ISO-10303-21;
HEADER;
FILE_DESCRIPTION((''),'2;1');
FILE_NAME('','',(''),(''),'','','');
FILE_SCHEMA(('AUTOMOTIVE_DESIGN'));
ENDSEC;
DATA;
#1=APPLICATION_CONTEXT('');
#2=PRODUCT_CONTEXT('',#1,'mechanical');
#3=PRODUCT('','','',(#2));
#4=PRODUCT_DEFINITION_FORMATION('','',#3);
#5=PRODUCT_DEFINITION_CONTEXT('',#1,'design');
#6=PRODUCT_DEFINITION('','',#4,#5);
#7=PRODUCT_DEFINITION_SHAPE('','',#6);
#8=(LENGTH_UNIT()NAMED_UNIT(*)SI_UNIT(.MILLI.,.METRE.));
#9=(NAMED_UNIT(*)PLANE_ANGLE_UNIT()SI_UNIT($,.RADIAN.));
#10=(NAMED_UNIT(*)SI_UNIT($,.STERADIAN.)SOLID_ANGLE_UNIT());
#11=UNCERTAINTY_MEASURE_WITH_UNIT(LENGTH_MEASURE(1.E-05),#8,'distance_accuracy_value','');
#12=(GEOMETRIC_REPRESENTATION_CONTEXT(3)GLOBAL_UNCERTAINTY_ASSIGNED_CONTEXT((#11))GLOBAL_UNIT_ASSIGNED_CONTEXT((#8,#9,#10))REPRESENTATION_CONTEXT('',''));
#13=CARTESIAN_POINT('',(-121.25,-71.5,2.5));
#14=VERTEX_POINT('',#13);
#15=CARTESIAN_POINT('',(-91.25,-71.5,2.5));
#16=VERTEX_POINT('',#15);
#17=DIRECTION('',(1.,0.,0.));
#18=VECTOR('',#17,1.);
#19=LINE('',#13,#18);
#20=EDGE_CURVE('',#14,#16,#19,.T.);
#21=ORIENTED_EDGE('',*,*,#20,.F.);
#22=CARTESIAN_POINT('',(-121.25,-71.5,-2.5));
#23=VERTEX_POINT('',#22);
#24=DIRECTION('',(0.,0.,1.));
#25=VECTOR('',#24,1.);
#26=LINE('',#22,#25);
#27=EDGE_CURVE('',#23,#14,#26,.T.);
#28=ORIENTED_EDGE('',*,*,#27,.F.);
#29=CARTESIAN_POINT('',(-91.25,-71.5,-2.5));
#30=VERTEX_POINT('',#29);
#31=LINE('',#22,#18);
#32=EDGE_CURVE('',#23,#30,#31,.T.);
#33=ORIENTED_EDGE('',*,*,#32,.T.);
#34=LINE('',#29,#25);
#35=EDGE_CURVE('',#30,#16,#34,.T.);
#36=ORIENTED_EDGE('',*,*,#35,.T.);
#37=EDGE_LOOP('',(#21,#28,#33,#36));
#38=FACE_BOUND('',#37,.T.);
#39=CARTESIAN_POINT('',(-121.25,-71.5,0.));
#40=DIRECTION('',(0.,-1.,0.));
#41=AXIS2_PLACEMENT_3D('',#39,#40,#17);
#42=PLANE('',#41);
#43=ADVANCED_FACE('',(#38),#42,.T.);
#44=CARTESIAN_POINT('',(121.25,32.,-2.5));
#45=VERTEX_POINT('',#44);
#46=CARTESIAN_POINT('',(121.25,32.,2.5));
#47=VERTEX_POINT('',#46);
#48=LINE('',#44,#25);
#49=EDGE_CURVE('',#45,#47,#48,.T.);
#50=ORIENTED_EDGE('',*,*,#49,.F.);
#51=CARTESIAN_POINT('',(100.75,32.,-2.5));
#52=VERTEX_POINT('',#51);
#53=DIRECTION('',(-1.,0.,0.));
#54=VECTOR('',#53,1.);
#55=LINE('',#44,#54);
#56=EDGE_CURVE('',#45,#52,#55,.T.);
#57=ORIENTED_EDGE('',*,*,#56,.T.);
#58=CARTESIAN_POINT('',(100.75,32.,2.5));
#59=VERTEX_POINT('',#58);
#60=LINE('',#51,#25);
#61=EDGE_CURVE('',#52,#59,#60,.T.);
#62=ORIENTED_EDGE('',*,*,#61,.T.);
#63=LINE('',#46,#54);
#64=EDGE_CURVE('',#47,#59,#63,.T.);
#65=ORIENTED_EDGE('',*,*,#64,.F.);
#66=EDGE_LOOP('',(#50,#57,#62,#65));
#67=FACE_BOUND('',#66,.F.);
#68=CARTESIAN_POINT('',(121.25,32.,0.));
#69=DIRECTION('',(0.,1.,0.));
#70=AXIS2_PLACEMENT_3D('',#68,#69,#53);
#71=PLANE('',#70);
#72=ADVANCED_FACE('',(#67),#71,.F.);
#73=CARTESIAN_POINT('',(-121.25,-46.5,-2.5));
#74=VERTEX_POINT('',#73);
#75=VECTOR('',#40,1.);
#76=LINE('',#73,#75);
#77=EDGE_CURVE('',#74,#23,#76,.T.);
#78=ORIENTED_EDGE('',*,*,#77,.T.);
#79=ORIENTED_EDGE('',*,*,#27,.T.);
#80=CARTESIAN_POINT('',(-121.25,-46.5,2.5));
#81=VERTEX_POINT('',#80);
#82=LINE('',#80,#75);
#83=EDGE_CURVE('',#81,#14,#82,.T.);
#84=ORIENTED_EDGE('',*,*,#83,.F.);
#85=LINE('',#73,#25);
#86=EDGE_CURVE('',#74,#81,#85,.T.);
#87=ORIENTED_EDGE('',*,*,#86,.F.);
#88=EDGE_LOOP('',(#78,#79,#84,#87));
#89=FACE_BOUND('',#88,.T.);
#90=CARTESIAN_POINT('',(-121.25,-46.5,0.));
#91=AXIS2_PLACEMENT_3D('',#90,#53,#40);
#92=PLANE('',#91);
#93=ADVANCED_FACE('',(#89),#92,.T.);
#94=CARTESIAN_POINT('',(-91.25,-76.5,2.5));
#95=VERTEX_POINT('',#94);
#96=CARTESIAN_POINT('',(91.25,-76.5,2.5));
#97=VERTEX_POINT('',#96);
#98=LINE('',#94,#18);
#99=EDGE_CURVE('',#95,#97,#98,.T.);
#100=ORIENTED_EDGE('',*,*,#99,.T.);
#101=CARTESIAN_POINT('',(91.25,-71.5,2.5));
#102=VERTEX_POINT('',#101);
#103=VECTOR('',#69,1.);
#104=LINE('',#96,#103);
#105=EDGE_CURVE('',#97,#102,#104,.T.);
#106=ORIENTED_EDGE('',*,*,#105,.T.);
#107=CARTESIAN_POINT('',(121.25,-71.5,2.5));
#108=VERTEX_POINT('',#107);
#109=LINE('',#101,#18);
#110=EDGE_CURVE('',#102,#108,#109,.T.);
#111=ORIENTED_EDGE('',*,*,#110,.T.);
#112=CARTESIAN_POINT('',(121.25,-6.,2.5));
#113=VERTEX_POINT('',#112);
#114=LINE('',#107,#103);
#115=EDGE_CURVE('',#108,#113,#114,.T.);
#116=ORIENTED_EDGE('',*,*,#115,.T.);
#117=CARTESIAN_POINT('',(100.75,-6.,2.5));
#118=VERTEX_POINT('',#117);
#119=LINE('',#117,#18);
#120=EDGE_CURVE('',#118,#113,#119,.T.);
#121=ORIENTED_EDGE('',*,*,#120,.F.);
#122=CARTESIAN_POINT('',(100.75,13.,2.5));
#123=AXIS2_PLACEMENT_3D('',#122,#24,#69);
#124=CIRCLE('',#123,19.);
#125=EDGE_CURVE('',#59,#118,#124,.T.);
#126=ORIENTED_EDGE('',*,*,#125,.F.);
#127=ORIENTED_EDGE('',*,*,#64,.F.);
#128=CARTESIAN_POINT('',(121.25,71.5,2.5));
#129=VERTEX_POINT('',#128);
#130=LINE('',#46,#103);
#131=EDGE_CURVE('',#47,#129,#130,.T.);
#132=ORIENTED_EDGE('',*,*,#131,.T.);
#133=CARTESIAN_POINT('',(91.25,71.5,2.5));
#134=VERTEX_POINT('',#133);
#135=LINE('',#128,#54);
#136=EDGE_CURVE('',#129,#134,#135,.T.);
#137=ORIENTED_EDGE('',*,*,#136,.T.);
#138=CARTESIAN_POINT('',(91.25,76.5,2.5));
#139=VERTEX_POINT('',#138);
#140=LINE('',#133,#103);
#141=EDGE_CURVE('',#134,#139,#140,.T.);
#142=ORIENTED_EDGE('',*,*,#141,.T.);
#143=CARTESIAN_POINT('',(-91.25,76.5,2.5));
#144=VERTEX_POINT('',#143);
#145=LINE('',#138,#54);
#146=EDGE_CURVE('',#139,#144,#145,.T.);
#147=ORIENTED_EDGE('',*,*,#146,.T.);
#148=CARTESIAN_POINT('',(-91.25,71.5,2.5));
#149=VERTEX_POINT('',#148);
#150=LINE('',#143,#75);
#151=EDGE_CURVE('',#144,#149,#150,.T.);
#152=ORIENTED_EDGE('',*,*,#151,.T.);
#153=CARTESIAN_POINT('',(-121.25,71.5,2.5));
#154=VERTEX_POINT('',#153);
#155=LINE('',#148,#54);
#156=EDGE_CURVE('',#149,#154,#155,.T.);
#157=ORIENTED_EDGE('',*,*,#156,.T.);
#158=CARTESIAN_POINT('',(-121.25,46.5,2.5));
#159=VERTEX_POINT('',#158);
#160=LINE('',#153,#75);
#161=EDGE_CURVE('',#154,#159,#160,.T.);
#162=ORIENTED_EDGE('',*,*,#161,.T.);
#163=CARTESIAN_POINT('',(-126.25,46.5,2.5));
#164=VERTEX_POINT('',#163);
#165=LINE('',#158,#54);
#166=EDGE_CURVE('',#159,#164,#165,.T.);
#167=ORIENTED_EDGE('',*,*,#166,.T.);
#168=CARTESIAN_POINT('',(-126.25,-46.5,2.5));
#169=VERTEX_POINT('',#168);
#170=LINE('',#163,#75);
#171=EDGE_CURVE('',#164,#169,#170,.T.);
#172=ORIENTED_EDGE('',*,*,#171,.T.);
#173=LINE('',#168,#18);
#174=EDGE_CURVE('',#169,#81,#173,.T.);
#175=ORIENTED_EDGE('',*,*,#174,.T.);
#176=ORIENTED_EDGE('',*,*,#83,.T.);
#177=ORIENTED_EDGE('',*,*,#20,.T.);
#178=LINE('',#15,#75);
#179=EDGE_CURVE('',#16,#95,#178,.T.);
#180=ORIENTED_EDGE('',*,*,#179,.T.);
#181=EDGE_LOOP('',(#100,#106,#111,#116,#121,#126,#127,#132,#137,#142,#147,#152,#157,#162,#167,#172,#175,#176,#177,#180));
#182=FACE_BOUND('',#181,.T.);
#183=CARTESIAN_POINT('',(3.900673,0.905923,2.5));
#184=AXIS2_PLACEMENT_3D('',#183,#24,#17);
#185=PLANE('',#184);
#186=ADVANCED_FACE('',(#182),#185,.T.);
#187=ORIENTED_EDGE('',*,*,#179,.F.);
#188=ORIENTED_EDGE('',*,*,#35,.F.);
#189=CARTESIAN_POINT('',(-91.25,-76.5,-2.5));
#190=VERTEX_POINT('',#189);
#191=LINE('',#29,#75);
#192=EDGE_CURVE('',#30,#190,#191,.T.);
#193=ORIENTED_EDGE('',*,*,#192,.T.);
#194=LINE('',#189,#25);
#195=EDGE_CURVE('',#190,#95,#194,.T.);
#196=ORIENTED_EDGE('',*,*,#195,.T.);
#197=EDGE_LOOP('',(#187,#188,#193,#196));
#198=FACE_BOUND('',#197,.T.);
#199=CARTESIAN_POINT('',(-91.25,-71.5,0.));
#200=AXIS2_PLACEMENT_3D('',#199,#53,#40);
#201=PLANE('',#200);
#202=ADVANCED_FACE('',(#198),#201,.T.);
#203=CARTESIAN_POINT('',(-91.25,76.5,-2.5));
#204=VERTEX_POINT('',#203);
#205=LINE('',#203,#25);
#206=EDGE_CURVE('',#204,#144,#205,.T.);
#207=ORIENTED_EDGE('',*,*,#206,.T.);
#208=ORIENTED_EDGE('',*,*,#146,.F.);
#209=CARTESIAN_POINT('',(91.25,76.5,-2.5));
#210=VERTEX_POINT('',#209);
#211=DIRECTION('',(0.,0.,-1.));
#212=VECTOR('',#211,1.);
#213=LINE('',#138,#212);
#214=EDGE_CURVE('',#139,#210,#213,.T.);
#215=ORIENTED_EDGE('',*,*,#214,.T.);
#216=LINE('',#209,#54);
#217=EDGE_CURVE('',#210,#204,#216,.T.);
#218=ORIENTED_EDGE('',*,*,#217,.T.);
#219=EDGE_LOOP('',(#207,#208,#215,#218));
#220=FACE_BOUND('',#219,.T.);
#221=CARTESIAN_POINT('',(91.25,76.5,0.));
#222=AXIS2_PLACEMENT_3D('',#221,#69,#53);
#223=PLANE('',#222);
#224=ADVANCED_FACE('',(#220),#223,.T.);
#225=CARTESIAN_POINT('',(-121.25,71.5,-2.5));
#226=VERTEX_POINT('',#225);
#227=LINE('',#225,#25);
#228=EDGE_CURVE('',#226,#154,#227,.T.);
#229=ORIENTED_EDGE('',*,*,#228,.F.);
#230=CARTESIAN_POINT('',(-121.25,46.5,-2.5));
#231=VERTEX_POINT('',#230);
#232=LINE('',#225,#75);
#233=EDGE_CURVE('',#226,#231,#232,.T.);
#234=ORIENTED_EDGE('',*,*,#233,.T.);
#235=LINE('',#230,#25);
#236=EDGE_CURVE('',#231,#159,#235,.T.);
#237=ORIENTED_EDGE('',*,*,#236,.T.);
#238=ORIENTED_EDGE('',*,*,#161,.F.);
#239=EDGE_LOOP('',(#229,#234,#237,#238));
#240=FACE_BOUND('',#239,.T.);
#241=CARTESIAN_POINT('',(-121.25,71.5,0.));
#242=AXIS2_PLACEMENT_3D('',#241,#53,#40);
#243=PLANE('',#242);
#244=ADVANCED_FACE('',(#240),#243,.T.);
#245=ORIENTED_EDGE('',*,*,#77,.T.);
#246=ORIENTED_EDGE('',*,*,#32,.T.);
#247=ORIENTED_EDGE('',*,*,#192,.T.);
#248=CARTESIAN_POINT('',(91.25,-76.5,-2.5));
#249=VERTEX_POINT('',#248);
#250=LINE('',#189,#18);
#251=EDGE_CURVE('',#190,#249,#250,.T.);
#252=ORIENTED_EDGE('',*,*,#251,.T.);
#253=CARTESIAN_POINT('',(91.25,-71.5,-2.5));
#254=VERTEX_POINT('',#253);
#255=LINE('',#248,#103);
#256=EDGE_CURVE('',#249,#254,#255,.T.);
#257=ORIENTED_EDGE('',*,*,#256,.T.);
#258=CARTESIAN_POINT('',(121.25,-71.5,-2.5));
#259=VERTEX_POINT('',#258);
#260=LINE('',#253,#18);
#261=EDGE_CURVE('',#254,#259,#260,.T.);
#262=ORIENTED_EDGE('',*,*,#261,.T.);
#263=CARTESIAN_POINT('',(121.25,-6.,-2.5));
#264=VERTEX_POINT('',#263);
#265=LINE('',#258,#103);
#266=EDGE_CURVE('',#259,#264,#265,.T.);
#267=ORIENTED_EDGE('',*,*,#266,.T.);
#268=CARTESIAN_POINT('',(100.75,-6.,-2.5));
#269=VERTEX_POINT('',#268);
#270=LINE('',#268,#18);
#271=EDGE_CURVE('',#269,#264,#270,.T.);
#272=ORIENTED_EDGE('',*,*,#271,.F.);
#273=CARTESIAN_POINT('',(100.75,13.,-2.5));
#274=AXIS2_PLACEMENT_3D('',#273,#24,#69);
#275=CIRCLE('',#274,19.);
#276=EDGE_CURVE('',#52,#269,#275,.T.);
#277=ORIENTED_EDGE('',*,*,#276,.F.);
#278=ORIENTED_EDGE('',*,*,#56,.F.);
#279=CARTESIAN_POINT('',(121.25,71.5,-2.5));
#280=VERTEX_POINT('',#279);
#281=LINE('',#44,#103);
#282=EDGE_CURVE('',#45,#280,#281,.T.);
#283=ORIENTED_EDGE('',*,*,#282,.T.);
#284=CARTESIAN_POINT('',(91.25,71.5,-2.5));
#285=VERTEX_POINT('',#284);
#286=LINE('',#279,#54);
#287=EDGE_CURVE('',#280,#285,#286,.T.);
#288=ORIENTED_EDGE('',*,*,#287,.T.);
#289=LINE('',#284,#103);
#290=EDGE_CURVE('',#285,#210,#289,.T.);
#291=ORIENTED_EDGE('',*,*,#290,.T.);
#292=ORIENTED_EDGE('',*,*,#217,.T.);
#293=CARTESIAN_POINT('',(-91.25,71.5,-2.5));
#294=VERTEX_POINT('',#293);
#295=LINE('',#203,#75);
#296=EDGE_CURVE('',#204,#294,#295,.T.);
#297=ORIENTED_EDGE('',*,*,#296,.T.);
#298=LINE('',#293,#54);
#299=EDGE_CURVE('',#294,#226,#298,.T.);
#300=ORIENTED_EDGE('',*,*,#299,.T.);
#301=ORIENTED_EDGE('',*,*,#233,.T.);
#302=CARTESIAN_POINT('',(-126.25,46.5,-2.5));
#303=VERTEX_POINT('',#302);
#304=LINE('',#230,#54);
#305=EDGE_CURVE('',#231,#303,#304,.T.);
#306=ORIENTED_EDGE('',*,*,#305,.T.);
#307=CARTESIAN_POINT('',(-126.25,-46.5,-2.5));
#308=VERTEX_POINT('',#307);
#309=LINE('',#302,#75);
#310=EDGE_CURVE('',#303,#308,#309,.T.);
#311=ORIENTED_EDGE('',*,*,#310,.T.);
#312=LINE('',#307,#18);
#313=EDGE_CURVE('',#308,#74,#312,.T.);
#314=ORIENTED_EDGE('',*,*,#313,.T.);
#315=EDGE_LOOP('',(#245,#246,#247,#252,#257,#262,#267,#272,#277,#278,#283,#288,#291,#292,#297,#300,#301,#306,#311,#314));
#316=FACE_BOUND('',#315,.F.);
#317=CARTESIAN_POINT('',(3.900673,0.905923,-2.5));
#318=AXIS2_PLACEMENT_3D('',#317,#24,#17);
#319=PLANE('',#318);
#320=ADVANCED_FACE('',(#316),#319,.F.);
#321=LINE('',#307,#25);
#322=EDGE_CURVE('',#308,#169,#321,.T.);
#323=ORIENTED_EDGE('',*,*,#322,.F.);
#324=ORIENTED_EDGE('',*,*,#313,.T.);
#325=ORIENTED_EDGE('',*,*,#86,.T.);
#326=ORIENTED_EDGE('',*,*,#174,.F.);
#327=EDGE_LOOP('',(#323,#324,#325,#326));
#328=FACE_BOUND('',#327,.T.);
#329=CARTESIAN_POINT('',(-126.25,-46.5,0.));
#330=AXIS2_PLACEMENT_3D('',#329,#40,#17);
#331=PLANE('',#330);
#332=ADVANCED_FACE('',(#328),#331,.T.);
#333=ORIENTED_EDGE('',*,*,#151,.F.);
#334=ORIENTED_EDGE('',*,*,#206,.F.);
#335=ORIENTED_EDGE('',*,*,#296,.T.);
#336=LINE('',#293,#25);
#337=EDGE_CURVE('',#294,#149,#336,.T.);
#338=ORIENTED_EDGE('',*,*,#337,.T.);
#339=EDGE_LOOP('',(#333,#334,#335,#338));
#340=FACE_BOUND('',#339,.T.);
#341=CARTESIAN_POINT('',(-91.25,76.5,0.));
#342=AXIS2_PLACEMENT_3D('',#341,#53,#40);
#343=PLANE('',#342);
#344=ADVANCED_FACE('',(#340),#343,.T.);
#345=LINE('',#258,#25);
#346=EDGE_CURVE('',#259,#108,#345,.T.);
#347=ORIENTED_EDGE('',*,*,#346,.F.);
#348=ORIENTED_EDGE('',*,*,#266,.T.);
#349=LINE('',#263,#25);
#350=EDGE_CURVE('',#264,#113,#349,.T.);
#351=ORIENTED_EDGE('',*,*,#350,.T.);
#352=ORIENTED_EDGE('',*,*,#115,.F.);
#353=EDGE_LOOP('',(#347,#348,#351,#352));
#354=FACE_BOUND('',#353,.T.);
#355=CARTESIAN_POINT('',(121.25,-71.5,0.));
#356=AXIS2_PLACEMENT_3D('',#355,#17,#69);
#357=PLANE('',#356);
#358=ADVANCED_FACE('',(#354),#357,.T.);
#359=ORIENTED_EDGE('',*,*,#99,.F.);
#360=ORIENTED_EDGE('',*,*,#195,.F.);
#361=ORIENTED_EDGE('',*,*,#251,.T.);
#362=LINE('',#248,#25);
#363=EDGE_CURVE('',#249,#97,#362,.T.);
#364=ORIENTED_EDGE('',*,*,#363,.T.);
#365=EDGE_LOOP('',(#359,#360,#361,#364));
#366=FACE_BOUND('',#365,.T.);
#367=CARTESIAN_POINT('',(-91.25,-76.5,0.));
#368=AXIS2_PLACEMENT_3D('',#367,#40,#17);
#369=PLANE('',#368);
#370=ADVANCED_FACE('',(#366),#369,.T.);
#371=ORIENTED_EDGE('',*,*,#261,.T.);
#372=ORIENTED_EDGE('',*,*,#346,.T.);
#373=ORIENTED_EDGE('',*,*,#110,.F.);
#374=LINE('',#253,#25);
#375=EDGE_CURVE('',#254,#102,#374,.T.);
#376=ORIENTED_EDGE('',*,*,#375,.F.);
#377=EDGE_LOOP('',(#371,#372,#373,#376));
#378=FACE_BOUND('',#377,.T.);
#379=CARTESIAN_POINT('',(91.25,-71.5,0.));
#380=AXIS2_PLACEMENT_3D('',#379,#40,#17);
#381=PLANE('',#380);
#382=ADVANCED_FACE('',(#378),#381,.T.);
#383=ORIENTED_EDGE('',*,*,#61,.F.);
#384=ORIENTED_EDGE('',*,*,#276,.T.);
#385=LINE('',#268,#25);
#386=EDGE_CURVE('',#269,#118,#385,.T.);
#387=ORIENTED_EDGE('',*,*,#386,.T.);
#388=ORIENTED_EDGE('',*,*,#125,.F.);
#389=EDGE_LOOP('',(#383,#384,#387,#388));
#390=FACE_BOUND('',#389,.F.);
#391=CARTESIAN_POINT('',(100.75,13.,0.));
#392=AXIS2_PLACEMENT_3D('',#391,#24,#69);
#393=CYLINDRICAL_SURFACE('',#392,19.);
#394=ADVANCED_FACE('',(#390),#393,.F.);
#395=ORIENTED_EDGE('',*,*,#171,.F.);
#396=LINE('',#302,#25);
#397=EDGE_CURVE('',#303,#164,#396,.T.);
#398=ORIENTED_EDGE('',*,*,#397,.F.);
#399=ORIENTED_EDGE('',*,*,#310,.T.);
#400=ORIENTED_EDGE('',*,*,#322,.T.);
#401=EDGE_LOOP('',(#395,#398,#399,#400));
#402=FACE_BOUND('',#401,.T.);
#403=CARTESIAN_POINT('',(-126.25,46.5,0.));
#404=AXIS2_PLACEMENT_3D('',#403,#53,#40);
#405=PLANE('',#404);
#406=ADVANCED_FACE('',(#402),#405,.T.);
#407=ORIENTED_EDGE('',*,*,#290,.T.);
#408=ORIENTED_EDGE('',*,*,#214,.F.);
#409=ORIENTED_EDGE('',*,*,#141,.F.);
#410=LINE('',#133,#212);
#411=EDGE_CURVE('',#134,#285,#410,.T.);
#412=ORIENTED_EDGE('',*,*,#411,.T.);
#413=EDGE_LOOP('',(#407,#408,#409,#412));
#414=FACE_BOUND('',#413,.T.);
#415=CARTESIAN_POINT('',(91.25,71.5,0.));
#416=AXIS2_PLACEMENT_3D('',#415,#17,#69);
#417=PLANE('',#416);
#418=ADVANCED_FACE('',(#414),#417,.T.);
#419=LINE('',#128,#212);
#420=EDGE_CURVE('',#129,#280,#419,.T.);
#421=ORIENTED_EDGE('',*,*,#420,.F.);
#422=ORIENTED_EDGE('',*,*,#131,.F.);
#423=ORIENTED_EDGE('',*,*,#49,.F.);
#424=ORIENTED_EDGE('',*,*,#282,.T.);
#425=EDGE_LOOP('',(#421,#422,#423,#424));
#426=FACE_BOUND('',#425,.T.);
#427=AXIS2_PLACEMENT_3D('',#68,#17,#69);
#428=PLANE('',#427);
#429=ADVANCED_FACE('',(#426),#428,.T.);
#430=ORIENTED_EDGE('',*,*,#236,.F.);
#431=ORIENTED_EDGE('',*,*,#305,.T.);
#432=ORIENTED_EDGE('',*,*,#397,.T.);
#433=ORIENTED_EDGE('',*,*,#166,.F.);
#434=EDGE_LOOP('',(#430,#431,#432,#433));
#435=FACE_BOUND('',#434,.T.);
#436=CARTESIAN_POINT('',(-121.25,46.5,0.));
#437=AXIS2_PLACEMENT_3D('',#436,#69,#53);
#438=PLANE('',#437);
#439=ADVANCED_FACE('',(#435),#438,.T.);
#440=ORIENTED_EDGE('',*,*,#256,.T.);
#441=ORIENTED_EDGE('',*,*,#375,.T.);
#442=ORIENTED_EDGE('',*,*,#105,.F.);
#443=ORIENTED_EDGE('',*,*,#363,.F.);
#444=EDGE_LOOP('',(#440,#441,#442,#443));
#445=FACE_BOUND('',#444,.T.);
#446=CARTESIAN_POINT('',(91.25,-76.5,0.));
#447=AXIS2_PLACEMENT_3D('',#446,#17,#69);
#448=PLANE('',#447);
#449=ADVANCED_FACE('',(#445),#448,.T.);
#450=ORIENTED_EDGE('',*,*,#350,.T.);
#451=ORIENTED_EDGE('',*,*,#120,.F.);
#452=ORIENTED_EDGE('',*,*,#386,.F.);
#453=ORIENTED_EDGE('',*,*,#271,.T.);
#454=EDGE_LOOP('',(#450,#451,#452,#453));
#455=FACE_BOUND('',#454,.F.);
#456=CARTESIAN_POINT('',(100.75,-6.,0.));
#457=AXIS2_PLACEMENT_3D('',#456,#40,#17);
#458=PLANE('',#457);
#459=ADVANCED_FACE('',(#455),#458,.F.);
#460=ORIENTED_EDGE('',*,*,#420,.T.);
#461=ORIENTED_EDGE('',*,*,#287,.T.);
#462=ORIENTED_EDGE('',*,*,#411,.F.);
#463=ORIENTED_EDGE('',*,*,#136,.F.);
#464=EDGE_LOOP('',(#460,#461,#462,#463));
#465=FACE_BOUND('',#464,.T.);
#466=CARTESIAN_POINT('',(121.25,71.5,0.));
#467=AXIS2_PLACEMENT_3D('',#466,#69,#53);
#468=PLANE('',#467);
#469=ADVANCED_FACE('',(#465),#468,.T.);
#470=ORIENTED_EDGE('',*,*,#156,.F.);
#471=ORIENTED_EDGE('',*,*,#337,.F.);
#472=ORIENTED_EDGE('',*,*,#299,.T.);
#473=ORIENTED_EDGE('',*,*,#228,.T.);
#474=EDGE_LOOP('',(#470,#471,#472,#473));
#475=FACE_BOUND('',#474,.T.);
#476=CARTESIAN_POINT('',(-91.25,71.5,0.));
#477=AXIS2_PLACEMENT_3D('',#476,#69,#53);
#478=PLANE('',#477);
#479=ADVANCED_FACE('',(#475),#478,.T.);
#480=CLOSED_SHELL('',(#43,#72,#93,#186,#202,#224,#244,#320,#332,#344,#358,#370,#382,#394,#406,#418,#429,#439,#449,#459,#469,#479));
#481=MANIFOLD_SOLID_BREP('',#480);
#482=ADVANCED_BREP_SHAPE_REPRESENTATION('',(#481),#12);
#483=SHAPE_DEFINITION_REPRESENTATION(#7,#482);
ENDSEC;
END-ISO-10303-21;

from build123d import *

# Parameters (mm, degrees)
PAD_DEPTH = 2.5


with BuildPart() as part:
    # Sketch → Pad (new body, symmetric)
    with BuildSketch(Plane.XY):
        with BuildLine():
            Line((91.25, 76.5), (-91.25, 76.5))
            Line((-91.25, 76.5), (-91.25, 71.5))
            Line((-91.25, 71.5), (-121.25, 71.5))
            Line((-121.25, 71.5), (-121.25, 46.5))
            Line((-121.25, 46.5), (-126.25, 46.5))
            Line((-126.25, 46.5), (-126.25, -46.5))
            Line((-126.25, -46.5), (-121.25, -46.5))
            Line((-121.25, -46.5), (-121.25, -71.5))
            Line((-121.25, -71.5), (-91.25, -71.5))
            Line((-91.25, -71.5), (-91.25, -76.5))
            Line((-91.25, -76.5), (91.25, -76.5))
            Line((91.25, -76.5), (91.25, -71.5))
            Line((91.25, -71.5), (121.25, -71.5))
            Line((121.25, -71.5), (121.25, -6))
            Line((100.75, -6), (121.25, -6))
            ThreePointArc((100.75, 32), (81.75, 13), (100.75, -6))
            Line((121.25, 32), (100.75, 32))
            Line((121.25, 32), (121.25, 71.5))
            Line((121.25, 71.5), (91.25, 71.5))
            Line((91.25, 71.5), (91.25, 76.5))
        make_face()
    extrude(amount=PAD_DEPTH, both=True)


solid = part.part
